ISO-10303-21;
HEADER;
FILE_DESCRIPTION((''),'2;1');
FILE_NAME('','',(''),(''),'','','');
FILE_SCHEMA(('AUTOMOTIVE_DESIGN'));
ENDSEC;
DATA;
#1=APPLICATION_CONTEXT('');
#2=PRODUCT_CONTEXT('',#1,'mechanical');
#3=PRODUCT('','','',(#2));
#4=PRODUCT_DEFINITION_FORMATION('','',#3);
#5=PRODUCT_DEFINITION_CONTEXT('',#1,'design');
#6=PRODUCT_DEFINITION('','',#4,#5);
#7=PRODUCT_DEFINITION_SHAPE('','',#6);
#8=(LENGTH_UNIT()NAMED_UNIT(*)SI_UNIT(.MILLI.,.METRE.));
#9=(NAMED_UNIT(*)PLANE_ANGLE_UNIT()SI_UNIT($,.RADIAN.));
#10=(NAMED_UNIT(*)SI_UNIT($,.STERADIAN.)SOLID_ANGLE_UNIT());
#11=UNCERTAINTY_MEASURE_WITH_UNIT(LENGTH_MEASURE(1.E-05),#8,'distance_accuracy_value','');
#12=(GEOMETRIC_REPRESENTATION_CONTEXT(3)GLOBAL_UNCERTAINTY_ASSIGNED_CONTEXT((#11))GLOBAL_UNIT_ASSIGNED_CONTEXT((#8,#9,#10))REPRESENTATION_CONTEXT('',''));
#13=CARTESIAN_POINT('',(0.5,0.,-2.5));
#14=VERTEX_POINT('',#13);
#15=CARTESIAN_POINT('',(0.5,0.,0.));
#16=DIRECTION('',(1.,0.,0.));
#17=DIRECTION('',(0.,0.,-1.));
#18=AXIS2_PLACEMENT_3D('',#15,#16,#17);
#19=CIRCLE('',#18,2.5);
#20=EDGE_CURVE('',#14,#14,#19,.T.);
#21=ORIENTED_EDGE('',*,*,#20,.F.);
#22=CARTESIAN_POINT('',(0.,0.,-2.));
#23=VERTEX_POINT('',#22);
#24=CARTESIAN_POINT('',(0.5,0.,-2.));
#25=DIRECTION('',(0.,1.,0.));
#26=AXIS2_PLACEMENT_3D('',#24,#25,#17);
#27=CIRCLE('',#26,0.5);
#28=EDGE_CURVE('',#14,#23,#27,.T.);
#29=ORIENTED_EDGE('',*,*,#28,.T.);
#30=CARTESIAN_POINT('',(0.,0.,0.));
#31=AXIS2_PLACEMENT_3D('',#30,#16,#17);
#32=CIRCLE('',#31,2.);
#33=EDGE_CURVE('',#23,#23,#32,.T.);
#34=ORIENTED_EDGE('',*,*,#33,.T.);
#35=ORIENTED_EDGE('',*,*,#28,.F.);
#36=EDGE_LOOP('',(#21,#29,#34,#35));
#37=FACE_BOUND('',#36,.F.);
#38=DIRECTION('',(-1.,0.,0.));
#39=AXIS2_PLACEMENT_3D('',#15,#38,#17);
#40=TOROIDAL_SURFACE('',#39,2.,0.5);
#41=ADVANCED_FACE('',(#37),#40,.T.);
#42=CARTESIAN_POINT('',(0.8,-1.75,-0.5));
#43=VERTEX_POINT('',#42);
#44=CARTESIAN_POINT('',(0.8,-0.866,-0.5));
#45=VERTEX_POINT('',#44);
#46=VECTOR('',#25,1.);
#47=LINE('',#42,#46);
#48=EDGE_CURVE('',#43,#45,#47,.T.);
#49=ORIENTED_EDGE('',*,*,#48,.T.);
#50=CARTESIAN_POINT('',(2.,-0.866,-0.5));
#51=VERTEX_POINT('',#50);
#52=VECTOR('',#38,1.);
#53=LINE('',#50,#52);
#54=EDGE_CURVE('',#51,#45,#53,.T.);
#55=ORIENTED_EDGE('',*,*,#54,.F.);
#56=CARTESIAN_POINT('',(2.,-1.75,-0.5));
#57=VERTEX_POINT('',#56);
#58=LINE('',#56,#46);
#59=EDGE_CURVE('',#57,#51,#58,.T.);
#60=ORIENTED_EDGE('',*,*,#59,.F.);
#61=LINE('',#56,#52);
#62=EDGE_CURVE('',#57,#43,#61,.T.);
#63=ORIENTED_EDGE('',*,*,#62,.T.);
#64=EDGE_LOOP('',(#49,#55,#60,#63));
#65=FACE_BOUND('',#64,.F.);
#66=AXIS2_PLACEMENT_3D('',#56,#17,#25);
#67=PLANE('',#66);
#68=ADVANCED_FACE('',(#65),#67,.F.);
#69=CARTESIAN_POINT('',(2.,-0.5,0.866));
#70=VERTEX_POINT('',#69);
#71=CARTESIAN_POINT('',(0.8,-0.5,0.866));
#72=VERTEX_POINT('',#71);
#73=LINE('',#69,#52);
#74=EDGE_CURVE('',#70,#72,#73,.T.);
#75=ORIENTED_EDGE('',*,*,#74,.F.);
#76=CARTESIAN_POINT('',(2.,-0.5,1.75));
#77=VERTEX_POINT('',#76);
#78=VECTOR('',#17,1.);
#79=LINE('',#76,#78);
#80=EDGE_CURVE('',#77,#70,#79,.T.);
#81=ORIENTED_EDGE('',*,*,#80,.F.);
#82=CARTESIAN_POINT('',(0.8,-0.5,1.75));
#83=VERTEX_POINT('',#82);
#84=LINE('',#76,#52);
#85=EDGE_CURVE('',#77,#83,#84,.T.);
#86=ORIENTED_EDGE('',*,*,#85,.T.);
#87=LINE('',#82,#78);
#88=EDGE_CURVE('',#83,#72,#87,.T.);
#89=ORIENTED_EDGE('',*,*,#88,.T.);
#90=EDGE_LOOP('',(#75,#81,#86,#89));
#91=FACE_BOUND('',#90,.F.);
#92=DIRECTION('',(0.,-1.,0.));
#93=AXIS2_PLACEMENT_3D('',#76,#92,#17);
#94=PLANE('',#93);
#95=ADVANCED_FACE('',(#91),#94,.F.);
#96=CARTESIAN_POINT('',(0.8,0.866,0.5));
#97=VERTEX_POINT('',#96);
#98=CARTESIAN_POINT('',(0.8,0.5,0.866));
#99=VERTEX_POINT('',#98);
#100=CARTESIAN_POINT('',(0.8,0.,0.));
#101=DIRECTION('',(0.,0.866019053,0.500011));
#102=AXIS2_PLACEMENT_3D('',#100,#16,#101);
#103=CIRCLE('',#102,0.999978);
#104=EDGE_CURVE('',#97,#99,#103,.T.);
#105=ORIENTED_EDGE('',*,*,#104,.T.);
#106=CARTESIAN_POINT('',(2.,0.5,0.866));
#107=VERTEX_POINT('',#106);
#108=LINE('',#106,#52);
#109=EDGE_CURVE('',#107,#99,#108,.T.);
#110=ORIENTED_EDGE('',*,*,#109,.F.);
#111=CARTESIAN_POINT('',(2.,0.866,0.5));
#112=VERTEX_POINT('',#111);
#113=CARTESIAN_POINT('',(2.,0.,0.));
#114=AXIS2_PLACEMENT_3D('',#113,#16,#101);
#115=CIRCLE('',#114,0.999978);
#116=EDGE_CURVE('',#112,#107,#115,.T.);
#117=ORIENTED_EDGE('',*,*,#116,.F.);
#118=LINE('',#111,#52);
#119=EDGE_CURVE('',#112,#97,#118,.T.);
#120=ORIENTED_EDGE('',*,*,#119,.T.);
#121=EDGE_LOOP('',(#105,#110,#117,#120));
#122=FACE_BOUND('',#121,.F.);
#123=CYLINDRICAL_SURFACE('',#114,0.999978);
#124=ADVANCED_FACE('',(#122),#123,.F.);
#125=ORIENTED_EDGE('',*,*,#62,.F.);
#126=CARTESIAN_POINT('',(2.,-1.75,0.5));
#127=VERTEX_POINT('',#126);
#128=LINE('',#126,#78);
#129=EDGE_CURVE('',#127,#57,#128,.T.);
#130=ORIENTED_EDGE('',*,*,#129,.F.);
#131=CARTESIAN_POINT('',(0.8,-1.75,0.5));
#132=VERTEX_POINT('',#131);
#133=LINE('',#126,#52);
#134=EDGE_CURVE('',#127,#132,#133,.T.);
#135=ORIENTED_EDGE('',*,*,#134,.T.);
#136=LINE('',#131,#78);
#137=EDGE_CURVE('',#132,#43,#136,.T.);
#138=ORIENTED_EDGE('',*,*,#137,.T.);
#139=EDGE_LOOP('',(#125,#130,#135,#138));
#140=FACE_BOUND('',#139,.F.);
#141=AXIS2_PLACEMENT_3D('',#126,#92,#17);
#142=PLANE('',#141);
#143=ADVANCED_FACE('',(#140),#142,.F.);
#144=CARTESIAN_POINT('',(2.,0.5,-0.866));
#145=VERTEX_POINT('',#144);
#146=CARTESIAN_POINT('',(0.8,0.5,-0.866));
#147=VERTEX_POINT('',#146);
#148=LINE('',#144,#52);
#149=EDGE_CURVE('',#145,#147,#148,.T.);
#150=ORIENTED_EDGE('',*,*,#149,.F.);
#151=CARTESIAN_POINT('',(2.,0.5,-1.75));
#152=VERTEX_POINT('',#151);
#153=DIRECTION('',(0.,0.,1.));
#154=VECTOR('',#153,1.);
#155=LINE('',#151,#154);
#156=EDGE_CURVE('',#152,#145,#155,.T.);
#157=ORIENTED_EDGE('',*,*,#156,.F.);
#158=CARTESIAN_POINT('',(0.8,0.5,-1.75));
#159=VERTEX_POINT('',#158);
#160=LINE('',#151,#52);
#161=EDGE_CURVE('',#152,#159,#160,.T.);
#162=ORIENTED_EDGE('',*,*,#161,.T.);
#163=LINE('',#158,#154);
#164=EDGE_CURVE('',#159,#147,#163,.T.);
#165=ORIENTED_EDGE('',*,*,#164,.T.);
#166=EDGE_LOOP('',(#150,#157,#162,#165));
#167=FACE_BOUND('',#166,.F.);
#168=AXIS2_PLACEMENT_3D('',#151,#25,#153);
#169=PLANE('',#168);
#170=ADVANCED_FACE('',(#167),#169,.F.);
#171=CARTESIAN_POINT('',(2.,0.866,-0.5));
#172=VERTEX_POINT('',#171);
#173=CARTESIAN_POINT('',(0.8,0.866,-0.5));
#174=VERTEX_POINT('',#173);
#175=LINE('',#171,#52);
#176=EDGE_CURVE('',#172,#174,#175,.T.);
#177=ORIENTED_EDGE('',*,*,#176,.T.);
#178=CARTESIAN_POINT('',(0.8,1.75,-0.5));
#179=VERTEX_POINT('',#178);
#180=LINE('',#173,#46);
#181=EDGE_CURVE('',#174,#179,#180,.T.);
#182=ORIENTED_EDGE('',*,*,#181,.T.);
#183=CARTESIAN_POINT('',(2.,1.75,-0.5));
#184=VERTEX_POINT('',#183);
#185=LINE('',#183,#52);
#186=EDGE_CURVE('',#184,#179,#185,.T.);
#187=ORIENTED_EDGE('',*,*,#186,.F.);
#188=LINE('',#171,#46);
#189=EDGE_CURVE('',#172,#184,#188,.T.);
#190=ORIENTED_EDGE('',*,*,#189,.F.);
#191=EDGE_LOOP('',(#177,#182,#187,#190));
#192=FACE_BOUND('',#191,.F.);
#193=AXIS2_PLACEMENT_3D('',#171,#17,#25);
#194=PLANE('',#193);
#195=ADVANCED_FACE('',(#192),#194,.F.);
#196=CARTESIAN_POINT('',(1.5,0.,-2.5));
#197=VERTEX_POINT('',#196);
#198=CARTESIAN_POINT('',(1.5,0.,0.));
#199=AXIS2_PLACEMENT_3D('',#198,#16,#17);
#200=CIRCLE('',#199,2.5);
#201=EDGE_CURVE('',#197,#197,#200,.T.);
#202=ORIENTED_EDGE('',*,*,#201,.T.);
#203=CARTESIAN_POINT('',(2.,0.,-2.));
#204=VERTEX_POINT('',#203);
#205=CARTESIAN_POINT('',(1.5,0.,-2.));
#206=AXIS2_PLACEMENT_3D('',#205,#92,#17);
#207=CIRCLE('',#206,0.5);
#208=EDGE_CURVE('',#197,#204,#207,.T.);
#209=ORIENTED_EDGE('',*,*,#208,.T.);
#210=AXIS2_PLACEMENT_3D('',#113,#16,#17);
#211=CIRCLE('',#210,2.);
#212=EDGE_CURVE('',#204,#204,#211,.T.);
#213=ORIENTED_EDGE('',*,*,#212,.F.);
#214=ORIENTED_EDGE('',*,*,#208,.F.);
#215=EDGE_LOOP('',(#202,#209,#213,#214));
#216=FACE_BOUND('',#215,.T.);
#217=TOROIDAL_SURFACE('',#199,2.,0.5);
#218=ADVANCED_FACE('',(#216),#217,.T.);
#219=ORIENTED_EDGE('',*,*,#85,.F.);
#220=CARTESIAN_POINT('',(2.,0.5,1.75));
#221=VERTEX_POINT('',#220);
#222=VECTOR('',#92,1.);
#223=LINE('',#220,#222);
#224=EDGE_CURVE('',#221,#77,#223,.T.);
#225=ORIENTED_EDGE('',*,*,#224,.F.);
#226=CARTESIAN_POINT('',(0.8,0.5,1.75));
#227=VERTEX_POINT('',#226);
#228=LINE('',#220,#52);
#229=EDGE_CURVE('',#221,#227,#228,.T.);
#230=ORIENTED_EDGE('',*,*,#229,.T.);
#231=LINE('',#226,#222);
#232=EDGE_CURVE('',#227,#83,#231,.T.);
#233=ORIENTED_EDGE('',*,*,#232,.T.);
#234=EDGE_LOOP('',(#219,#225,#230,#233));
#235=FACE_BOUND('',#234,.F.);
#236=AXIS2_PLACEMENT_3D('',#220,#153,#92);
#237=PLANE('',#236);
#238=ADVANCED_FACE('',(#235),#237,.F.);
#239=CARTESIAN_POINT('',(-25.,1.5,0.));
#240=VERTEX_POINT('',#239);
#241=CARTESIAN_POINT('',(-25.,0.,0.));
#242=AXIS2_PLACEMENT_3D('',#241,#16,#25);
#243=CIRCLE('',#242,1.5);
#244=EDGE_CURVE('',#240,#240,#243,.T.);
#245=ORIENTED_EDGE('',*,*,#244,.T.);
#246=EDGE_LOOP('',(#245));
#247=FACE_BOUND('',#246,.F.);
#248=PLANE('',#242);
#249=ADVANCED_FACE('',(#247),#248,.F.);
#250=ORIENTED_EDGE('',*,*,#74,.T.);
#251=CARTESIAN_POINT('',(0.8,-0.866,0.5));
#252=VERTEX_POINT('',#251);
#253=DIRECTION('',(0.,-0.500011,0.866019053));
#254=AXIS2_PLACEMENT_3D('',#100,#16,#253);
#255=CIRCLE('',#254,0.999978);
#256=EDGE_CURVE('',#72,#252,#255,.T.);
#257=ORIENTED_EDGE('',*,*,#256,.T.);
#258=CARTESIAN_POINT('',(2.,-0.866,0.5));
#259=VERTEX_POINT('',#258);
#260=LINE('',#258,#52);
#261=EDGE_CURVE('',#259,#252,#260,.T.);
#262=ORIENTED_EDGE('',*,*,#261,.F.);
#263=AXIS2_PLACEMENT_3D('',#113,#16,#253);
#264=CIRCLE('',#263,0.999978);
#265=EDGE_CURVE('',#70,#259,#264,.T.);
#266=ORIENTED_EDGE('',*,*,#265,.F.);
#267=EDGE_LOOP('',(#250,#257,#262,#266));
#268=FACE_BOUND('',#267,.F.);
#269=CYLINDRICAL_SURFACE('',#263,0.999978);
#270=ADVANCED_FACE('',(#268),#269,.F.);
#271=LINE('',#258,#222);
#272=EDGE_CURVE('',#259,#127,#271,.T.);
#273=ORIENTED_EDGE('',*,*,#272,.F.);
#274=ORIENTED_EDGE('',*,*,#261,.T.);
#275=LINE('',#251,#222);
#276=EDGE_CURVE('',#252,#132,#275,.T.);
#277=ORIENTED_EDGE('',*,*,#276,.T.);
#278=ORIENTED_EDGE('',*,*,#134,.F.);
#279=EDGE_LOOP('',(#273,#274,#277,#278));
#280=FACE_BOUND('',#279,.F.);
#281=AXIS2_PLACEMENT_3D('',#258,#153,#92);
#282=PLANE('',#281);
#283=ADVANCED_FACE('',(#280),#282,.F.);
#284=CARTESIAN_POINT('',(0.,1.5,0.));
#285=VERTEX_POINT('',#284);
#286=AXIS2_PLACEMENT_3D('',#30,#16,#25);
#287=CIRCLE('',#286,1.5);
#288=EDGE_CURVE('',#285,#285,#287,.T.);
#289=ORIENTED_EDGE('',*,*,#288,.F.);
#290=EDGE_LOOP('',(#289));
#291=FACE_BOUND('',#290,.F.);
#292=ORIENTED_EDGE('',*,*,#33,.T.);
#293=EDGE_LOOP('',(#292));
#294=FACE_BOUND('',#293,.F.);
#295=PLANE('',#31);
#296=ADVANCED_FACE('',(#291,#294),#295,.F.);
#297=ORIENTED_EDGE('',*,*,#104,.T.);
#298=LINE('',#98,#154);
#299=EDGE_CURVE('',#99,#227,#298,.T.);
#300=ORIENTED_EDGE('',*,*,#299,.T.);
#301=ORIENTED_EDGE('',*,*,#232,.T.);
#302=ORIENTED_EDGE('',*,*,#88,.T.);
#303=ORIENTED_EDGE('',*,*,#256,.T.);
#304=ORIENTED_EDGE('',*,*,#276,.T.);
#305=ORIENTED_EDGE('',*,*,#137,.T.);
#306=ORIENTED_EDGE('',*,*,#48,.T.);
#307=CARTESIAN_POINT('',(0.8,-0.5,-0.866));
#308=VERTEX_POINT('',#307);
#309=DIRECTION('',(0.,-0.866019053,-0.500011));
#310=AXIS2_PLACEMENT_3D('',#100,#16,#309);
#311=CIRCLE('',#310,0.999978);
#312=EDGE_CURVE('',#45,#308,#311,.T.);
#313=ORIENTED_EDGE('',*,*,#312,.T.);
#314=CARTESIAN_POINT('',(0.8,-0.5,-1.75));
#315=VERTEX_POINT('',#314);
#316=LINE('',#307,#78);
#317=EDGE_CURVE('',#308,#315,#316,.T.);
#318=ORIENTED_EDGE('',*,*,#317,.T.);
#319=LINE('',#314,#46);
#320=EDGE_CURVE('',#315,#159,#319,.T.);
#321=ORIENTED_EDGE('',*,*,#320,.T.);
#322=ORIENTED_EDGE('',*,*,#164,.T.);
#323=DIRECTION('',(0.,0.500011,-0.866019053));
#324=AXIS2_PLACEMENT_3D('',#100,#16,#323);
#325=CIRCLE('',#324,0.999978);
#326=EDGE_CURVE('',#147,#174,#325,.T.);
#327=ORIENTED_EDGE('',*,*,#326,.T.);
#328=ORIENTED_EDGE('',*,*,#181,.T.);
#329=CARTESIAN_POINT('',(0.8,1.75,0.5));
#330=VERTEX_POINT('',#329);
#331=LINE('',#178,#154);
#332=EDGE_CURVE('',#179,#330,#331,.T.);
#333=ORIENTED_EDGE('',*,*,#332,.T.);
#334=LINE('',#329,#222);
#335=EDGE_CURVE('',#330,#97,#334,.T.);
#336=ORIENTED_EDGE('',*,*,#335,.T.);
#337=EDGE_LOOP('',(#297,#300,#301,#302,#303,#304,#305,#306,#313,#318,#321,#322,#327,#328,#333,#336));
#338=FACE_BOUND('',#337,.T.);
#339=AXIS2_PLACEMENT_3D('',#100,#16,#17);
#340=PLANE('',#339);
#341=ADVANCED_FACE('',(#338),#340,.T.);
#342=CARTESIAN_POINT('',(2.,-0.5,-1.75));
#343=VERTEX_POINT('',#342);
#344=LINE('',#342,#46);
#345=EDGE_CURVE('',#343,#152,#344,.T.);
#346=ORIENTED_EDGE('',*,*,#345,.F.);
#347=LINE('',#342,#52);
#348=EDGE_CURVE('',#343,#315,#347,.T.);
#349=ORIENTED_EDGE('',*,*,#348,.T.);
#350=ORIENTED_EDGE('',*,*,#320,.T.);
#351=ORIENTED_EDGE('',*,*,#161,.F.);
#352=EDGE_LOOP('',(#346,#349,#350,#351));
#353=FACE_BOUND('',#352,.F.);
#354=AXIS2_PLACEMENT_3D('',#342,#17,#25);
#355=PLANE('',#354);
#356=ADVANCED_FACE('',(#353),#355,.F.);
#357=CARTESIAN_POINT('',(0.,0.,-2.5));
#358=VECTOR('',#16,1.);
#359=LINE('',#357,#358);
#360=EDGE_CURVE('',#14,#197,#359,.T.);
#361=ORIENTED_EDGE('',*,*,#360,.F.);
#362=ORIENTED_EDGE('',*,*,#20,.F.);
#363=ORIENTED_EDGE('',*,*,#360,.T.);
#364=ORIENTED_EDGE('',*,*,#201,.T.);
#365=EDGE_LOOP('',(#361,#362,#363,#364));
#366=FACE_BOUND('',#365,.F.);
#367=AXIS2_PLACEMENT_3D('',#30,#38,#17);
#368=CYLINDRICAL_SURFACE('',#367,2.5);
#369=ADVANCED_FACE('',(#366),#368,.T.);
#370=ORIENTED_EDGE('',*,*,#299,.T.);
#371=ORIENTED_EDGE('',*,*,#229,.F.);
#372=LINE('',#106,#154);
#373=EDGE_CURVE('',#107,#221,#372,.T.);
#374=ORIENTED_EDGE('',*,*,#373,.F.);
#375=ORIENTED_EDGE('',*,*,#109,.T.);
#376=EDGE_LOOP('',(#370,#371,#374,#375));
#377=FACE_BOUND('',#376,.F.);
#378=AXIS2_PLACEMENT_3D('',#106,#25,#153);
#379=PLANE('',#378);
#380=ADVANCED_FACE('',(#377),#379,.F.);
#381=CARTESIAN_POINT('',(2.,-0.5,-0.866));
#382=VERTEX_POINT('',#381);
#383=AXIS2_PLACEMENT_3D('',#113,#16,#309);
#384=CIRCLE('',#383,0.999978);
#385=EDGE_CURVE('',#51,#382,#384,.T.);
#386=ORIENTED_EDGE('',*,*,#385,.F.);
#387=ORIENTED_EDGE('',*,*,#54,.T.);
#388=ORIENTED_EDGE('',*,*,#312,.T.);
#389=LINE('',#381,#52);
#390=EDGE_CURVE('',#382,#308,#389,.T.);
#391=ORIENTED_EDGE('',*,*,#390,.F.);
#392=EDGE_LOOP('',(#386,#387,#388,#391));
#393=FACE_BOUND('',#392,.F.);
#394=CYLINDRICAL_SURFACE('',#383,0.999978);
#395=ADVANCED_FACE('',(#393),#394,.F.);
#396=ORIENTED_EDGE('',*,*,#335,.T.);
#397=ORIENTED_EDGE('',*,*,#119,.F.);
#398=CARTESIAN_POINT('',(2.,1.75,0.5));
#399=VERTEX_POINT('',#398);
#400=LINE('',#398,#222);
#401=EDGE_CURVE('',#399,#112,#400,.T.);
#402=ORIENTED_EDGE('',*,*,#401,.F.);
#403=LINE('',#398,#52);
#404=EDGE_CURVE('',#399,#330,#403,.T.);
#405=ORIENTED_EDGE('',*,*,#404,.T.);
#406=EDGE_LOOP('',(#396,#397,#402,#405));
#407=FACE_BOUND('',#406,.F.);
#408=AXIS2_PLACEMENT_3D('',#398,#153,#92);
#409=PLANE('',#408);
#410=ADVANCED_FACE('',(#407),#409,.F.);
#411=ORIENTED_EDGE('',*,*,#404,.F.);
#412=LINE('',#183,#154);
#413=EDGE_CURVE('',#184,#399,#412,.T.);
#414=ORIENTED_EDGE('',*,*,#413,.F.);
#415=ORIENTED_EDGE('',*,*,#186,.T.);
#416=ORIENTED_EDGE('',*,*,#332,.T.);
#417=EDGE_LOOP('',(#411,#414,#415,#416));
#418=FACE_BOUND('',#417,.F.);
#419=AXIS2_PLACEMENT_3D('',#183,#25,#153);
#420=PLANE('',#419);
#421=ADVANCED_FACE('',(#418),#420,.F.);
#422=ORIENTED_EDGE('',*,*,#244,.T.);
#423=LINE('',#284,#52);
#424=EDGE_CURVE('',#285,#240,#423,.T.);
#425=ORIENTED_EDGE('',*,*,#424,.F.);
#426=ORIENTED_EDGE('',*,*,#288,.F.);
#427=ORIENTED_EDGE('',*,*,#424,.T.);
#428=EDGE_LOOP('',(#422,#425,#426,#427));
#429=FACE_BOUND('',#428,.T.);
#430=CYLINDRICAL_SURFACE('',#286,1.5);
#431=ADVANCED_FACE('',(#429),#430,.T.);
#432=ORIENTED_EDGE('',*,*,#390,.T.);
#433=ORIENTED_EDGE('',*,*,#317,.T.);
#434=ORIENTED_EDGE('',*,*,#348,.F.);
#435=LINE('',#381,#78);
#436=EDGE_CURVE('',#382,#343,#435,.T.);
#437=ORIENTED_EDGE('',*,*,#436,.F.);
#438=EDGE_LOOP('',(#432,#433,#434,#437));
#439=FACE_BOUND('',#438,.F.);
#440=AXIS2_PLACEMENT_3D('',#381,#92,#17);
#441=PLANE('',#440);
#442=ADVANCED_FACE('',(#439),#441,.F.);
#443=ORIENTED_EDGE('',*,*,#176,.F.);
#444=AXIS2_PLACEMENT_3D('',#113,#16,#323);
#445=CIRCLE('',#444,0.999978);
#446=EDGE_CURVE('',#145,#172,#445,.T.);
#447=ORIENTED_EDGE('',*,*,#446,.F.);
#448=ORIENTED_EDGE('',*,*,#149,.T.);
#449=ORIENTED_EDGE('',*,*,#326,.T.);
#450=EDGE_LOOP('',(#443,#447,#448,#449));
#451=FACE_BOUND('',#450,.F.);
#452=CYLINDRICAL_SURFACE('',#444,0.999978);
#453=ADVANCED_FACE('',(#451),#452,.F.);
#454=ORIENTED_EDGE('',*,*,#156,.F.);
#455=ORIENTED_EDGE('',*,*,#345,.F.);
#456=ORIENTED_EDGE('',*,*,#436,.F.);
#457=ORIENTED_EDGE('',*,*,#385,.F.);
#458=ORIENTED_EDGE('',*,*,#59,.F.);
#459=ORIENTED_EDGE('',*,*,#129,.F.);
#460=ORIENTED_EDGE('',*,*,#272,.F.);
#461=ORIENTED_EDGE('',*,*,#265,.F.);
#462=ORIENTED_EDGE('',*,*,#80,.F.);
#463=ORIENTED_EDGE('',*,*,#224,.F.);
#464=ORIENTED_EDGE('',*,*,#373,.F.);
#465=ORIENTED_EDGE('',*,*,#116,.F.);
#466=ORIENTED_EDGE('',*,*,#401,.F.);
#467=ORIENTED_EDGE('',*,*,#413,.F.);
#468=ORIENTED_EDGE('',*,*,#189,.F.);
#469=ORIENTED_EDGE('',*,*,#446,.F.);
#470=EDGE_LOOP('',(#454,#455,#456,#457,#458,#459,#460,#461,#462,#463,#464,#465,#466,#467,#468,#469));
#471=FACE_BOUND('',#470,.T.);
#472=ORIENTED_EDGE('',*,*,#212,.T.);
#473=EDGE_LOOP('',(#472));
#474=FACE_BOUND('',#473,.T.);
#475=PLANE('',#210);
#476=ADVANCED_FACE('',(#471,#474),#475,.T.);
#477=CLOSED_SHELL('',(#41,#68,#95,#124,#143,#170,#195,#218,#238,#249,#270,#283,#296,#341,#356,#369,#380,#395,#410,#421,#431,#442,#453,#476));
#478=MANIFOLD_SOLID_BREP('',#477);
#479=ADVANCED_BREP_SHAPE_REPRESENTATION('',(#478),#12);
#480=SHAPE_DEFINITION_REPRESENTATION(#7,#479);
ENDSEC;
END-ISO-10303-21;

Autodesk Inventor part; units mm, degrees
ref_plane "YZ Plane" through (0, 0, 0) normal (1, 0, 0) x (0, 1, 0)
ref_plane "XZ Plane" through (0, 0, 0) normal (0, 1, 0) x (-1, 0, 0)
ref_plane "XY Plane" through (0, 0, 0) normal (0, 0, 1) x (1, 0, 0)
sketch "Sketch1" plane through (0, 0, 0) normal (1, 0, 0) x (0, 1, 0)
  circle A0 centre (0, 0) radius 1.5
  dimension "d0" = 3
extrude "Extrusion1" add sketch "Sketch1" against normal blind 25
sketch "Sketch2" plane through (0, 0, 0) normal (1, 0, 0) x (0, 0, -1)
  circle A0 centre (0, 0) radius 2.5
  dimension "d3" = 5
extrude "Extrusion2" add sketch "Sketch2" along normal blind 2
fillet "Fillet1" radius 0.5 2 edges at (0, 0, 2.5) (2, 0, 2.5)
sketch "Sketch3" plane through (2, 0, 0) normal (1, 0, 0) x (0, 0, -1)
  line L0 (1.75, -0.5) -> (1.75, 0.5)
  line L1 (-1.75, 0.5) -> (-1.75, -0.5)
  line L2 (0.5, 1.75) -> (-0.5, 1.75)
  line L3 (-0.5, -1.75) -> (0.5, -1.75)
  line L4 (-0.5, 1.75) -> (-0.5, 0.866)
  line L5 (-0.5, -0.866) -> (-0.5, -1.75)
  line L6 (-1.75, -0.5) -> (-0.866, -0.5)
  line L7 (0.866, -0.5) -> (1.75, -0.5)
  line L8 (1.75, 0.5) -> (0.866, 0.5)
  line L9 (-0.866, 0.5) -> (-1.75, 0.5)
  line L10 (0.5, -1.75) -> (0.5, -0.866)
  line L11 (0.5, 0.866) -> (0.5, 1.75)
  arc A0 (-0.5, 0.866) -> (-0.866, 0.5) centre (0, 0) ccw
  arc A1 (-0.866, -0.5) -> (-0.5, -0.866) centre (0, 0) ccw
  arc A2 (0.5, -0.866) -> (0.866, -0.5) centre (0, 0) ccw
  arc A3 (0.866, 0.5) -> (0.5, 0.866) centre (0, 0) ccw
  dimension "d7" = 3.5
  dimension "d8" = 1
  dimension "d9" = 3.5
  dimension "d10" = 1
extrude "Extrusion3" cut sketch "Sketch3" against normal blind 1.2
thread "Thread1" size "M3x0.35" class "6g" standard "ANSI Metric M Profile" full length
properties part number "Parafuso lateral do captador"
